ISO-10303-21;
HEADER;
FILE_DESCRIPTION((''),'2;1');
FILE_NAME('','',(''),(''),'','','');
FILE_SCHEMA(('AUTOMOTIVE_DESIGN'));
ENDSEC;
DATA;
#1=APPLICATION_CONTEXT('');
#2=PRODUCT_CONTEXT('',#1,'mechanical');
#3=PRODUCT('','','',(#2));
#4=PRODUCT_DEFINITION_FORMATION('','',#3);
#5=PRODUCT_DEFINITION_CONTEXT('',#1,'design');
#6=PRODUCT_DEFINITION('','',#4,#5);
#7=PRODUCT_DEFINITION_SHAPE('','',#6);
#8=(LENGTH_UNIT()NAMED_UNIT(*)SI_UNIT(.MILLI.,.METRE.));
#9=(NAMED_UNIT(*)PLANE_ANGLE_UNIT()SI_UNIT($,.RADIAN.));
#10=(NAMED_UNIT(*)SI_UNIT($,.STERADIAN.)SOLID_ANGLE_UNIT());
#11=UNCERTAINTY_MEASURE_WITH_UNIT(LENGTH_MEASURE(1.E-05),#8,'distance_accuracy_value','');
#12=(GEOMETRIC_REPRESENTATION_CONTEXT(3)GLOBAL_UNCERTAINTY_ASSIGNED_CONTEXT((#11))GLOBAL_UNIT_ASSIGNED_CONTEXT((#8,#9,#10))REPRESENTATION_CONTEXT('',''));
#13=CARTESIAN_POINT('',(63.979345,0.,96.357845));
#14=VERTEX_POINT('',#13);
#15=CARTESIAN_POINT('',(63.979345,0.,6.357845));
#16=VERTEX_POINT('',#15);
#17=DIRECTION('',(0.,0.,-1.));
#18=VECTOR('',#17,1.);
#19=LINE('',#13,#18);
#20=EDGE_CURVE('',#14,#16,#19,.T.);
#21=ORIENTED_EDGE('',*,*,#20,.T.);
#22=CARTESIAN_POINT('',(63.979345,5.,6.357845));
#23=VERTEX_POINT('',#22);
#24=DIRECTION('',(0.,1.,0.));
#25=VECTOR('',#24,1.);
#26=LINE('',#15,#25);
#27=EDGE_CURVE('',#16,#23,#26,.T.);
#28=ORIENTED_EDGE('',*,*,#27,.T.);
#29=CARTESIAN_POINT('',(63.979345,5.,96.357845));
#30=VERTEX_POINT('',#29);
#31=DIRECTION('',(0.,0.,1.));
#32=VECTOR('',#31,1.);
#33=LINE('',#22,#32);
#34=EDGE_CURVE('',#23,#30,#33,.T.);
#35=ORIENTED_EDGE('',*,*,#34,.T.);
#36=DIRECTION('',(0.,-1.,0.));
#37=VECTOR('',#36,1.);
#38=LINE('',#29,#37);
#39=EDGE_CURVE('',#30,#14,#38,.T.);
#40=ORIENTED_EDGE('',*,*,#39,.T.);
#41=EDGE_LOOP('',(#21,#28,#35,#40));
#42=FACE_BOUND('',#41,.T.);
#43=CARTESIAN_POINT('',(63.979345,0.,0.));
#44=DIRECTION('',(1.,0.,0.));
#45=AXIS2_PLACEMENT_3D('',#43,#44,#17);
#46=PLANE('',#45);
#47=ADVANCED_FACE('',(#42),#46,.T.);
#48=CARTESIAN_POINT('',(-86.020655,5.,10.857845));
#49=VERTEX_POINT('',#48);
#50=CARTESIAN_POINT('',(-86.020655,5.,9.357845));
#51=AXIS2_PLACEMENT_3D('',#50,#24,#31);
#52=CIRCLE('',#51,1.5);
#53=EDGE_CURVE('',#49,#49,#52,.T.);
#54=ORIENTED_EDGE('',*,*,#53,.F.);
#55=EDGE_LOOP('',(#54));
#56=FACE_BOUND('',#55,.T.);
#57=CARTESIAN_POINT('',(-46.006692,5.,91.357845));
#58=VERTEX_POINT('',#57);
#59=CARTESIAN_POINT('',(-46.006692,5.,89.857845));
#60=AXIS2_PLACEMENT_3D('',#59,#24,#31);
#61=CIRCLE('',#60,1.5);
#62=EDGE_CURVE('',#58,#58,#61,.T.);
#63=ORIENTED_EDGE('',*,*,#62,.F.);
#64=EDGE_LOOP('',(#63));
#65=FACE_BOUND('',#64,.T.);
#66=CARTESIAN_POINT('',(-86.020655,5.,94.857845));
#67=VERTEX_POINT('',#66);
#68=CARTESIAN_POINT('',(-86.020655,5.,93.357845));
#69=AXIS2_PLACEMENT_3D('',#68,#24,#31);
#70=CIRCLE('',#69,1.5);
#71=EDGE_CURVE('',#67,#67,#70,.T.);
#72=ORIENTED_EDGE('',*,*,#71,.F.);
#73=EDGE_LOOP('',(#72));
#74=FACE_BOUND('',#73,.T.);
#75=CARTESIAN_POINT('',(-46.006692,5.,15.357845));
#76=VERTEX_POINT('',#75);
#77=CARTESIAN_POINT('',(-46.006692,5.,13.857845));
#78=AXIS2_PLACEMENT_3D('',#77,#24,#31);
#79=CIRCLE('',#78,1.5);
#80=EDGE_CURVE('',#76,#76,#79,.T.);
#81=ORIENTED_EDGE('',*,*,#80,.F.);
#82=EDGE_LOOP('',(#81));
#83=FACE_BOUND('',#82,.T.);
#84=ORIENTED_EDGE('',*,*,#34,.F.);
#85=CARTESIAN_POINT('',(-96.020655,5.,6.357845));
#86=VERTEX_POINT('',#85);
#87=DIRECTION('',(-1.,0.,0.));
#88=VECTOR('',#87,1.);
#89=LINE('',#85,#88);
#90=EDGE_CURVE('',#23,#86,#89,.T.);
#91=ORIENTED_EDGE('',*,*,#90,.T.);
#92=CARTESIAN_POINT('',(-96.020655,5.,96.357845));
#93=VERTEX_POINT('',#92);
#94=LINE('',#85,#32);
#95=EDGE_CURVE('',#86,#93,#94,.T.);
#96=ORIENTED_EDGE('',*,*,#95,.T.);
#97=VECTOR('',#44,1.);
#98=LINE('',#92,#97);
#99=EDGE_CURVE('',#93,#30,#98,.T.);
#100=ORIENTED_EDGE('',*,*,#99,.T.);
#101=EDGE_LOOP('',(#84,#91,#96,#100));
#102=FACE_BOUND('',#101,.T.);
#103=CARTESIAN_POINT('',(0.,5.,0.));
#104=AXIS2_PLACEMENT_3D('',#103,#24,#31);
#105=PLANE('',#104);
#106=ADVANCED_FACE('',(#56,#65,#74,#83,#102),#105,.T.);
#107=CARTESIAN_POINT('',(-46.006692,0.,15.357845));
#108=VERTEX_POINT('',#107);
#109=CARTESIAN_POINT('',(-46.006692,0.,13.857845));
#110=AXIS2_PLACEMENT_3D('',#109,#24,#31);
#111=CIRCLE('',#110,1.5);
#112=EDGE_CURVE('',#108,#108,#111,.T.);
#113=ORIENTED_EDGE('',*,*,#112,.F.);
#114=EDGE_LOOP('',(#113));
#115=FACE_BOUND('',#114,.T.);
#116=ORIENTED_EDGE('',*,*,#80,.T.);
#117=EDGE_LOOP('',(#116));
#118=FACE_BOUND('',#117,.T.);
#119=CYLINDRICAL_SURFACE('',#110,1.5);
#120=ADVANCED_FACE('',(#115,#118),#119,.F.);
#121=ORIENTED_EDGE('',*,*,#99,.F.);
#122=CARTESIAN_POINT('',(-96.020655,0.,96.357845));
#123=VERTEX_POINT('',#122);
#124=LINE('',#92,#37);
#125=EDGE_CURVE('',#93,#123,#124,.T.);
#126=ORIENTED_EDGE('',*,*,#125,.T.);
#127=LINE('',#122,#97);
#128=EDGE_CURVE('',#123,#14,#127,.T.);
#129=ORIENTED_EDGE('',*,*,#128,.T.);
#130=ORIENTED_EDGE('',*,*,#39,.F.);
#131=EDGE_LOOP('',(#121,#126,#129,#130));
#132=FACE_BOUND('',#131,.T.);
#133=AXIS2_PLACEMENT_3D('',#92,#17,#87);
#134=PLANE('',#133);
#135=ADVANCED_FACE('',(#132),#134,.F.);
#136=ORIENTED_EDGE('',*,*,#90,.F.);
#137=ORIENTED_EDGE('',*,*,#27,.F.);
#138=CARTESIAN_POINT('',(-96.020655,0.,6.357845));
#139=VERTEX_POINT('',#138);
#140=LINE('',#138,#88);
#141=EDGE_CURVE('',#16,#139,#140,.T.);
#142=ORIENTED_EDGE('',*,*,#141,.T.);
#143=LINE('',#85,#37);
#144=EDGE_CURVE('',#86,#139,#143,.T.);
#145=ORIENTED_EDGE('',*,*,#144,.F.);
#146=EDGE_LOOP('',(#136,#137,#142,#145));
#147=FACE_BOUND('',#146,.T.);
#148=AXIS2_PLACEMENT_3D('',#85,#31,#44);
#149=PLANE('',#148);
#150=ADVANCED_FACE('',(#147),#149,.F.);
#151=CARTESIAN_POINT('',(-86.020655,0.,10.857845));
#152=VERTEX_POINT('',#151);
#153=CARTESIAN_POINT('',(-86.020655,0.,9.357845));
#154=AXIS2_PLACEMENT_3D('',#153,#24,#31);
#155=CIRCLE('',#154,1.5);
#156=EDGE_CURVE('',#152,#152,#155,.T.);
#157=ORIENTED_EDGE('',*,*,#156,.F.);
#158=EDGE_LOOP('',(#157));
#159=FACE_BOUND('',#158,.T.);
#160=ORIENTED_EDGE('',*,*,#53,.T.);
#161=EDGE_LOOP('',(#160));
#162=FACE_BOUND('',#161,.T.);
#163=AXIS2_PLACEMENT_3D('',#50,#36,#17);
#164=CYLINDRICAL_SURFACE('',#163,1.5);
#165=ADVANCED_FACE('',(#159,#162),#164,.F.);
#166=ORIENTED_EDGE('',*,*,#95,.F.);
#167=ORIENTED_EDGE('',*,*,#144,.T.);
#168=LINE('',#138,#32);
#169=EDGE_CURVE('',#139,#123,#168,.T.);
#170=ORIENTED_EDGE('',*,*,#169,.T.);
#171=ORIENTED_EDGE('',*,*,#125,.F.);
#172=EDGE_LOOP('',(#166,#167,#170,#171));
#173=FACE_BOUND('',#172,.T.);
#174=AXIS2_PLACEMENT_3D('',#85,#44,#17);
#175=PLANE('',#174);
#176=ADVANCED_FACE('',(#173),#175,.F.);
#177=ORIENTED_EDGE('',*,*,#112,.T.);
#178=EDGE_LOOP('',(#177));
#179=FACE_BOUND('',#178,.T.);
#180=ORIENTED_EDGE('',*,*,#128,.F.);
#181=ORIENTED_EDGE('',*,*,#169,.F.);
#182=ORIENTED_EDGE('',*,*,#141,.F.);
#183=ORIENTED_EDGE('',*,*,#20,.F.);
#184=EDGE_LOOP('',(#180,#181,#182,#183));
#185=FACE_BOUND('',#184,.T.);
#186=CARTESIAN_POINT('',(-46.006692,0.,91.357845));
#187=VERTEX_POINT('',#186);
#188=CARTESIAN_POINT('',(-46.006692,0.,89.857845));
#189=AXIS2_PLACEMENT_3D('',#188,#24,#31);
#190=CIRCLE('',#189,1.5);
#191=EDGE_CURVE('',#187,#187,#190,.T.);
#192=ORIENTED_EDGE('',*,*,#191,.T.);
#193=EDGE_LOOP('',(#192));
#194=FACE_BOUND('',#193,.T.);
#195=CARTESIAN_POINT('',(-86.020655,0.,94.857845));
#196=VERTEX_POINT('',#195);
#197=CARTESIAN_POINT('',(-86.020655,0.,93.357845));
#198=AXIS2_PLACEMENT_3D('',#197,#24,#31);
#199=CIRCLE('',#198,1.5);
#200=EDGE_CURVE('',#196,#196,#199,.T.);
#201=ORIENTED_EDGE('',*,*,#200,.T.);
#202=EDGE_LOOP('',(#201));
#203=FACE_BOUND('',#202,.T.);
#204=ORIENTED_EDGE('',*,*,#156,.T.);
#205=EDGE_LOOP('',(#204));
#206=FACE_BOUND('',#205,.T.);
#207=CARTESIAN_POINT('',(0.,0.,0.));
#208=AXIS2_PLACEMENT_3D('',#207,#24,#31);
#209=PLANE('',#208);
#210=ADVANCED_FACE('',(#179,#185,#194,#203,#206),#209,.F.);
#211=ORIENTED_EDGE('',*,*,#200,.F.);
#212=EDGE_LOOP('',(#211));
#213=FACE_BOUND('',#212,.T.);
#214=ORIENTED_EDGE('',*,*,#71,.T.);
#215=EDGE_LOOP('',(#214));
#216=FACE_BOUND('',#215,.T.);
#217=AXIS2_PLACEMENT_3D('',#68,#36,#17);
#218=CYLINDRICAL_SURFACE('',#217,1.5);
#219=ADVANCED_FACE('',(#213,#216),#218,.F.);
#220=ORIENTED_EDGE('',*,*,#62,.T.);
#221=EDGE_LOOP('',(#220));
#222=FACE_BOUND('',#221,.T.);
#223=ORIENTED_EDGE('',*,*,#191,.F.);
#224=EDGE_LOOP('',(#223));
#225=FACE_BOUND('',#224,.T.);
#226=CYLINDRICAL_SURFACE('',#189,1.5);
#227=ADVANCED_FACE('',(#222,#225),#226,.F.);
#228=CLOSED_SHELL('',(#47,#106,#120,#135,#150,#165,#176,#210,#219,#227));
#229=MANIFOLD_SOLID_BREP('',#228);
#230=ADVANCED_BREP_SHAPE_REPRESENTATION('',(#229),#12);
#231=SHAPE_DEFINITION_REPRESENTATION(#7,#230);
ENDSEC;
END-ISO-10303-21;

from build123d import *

# Parameters (mm, degrees)
SKETCH1_W           = 200
SKETCH1_H           = 90
SKETCH1_R           = 1.5
BOSS_EXTRUDE1_DEPTH = 5
SKETCH2_W           = 140
SKETCH2_H           = 90
CUT_EXTRUDE1_DEPTH  = 142.850408897
SKETCH3_R           = 1.5
CUT_EXTRUDE2_DEPTH  = 137.124210251
SKETCH4_W           = 90
SKETCH4_H           = 5
BOSS_EXTRUDE2_DEPTH = 100


with BuildPart() as part:
    # Sketch1 → Boss-Extrude1 (new body)
    with BuildSketch(Plane(origin=(0, 0, 0), x_dir=(1, 0, 0), z_dir=(0, 1, 0))):
        with Locations((3.97934472, -51.35784543)):
            Rectangle(SKETCH1_W, SKETCH1_H)
        with Locations(Location((-86.02065528, -9.35784543, 0), (0, 0, 270))):
            Circle(SKETCH1_R, mode=Mode.SUBTRACT)
        with Locations(Location((-86.02065528, -93.35784543, 0), (0, 0, 270))):
            Circle(SKETCH1_R, mode=Mode.SUBTRACT)
        with Locations(Location((93.97934472, -9.35784543, 0), (0, 0, 270))):
            Circle(SKETCH1_R, mode=Mode.SUBTRACT)
        with Locations(Location((93.97934472, -93.35784543, 0), (0, 0, 270))):
            Circle(SKETCH1_R, mode=Mode.SUBTRACT)
    extrude(amount=BOSS_EXTRUDE1_DEPTH)

    # Sketch2 → Cut-Extrude1 (cut, through all)
    with BuildSketch(Plane(origin=(0, 5, 0), x_dir=(1, 0, 0), z_dir=(0, 1, 0))):
        with Locations((33.97934472, -51.35784543)):
            Rectangle(SKETCH2_W, SKETCH2_H)
    extrude(amount=-CUT_EXTRUDE1_DEPTH, mode=Mode.SUBTRACT)

    # Sketch3 → Cut-Extrude2 (cut, through all)
    with BuildSketch(Plane(origin=(0, 5, 0), x_dir=(1, 0, 0), z_dir=(0, 1, 0))):
        with Locations(Location((-46.006691674, -13.85784543, 0), (0, 0, 270))):
            Circle(SKETCH3_R)
        with Locations(Location((-46.006691674, -89.85784543, 0), (0, 0, 270))):
            Circle(SKETCH3_R)
    extrude(amount=-CUT_EXTRUDE2_DEPTH, mode=Mode.SUBTRACT)

    # Sketch4 → Boss-Extrude2 (add)
    with BuildSketch(Plane(origin=(-36.02065528, 0, 0), x_dir=(0, 0, -1), z_dir=(1, 0, 0))):
        with Locations((-51.35784543, 2.5)):
            Rectangle(SKETCH4_W, SKETCH4_H)
    extrude(amount=BOSS_EXTRUDE2_DEPTH)


solid = part.part
